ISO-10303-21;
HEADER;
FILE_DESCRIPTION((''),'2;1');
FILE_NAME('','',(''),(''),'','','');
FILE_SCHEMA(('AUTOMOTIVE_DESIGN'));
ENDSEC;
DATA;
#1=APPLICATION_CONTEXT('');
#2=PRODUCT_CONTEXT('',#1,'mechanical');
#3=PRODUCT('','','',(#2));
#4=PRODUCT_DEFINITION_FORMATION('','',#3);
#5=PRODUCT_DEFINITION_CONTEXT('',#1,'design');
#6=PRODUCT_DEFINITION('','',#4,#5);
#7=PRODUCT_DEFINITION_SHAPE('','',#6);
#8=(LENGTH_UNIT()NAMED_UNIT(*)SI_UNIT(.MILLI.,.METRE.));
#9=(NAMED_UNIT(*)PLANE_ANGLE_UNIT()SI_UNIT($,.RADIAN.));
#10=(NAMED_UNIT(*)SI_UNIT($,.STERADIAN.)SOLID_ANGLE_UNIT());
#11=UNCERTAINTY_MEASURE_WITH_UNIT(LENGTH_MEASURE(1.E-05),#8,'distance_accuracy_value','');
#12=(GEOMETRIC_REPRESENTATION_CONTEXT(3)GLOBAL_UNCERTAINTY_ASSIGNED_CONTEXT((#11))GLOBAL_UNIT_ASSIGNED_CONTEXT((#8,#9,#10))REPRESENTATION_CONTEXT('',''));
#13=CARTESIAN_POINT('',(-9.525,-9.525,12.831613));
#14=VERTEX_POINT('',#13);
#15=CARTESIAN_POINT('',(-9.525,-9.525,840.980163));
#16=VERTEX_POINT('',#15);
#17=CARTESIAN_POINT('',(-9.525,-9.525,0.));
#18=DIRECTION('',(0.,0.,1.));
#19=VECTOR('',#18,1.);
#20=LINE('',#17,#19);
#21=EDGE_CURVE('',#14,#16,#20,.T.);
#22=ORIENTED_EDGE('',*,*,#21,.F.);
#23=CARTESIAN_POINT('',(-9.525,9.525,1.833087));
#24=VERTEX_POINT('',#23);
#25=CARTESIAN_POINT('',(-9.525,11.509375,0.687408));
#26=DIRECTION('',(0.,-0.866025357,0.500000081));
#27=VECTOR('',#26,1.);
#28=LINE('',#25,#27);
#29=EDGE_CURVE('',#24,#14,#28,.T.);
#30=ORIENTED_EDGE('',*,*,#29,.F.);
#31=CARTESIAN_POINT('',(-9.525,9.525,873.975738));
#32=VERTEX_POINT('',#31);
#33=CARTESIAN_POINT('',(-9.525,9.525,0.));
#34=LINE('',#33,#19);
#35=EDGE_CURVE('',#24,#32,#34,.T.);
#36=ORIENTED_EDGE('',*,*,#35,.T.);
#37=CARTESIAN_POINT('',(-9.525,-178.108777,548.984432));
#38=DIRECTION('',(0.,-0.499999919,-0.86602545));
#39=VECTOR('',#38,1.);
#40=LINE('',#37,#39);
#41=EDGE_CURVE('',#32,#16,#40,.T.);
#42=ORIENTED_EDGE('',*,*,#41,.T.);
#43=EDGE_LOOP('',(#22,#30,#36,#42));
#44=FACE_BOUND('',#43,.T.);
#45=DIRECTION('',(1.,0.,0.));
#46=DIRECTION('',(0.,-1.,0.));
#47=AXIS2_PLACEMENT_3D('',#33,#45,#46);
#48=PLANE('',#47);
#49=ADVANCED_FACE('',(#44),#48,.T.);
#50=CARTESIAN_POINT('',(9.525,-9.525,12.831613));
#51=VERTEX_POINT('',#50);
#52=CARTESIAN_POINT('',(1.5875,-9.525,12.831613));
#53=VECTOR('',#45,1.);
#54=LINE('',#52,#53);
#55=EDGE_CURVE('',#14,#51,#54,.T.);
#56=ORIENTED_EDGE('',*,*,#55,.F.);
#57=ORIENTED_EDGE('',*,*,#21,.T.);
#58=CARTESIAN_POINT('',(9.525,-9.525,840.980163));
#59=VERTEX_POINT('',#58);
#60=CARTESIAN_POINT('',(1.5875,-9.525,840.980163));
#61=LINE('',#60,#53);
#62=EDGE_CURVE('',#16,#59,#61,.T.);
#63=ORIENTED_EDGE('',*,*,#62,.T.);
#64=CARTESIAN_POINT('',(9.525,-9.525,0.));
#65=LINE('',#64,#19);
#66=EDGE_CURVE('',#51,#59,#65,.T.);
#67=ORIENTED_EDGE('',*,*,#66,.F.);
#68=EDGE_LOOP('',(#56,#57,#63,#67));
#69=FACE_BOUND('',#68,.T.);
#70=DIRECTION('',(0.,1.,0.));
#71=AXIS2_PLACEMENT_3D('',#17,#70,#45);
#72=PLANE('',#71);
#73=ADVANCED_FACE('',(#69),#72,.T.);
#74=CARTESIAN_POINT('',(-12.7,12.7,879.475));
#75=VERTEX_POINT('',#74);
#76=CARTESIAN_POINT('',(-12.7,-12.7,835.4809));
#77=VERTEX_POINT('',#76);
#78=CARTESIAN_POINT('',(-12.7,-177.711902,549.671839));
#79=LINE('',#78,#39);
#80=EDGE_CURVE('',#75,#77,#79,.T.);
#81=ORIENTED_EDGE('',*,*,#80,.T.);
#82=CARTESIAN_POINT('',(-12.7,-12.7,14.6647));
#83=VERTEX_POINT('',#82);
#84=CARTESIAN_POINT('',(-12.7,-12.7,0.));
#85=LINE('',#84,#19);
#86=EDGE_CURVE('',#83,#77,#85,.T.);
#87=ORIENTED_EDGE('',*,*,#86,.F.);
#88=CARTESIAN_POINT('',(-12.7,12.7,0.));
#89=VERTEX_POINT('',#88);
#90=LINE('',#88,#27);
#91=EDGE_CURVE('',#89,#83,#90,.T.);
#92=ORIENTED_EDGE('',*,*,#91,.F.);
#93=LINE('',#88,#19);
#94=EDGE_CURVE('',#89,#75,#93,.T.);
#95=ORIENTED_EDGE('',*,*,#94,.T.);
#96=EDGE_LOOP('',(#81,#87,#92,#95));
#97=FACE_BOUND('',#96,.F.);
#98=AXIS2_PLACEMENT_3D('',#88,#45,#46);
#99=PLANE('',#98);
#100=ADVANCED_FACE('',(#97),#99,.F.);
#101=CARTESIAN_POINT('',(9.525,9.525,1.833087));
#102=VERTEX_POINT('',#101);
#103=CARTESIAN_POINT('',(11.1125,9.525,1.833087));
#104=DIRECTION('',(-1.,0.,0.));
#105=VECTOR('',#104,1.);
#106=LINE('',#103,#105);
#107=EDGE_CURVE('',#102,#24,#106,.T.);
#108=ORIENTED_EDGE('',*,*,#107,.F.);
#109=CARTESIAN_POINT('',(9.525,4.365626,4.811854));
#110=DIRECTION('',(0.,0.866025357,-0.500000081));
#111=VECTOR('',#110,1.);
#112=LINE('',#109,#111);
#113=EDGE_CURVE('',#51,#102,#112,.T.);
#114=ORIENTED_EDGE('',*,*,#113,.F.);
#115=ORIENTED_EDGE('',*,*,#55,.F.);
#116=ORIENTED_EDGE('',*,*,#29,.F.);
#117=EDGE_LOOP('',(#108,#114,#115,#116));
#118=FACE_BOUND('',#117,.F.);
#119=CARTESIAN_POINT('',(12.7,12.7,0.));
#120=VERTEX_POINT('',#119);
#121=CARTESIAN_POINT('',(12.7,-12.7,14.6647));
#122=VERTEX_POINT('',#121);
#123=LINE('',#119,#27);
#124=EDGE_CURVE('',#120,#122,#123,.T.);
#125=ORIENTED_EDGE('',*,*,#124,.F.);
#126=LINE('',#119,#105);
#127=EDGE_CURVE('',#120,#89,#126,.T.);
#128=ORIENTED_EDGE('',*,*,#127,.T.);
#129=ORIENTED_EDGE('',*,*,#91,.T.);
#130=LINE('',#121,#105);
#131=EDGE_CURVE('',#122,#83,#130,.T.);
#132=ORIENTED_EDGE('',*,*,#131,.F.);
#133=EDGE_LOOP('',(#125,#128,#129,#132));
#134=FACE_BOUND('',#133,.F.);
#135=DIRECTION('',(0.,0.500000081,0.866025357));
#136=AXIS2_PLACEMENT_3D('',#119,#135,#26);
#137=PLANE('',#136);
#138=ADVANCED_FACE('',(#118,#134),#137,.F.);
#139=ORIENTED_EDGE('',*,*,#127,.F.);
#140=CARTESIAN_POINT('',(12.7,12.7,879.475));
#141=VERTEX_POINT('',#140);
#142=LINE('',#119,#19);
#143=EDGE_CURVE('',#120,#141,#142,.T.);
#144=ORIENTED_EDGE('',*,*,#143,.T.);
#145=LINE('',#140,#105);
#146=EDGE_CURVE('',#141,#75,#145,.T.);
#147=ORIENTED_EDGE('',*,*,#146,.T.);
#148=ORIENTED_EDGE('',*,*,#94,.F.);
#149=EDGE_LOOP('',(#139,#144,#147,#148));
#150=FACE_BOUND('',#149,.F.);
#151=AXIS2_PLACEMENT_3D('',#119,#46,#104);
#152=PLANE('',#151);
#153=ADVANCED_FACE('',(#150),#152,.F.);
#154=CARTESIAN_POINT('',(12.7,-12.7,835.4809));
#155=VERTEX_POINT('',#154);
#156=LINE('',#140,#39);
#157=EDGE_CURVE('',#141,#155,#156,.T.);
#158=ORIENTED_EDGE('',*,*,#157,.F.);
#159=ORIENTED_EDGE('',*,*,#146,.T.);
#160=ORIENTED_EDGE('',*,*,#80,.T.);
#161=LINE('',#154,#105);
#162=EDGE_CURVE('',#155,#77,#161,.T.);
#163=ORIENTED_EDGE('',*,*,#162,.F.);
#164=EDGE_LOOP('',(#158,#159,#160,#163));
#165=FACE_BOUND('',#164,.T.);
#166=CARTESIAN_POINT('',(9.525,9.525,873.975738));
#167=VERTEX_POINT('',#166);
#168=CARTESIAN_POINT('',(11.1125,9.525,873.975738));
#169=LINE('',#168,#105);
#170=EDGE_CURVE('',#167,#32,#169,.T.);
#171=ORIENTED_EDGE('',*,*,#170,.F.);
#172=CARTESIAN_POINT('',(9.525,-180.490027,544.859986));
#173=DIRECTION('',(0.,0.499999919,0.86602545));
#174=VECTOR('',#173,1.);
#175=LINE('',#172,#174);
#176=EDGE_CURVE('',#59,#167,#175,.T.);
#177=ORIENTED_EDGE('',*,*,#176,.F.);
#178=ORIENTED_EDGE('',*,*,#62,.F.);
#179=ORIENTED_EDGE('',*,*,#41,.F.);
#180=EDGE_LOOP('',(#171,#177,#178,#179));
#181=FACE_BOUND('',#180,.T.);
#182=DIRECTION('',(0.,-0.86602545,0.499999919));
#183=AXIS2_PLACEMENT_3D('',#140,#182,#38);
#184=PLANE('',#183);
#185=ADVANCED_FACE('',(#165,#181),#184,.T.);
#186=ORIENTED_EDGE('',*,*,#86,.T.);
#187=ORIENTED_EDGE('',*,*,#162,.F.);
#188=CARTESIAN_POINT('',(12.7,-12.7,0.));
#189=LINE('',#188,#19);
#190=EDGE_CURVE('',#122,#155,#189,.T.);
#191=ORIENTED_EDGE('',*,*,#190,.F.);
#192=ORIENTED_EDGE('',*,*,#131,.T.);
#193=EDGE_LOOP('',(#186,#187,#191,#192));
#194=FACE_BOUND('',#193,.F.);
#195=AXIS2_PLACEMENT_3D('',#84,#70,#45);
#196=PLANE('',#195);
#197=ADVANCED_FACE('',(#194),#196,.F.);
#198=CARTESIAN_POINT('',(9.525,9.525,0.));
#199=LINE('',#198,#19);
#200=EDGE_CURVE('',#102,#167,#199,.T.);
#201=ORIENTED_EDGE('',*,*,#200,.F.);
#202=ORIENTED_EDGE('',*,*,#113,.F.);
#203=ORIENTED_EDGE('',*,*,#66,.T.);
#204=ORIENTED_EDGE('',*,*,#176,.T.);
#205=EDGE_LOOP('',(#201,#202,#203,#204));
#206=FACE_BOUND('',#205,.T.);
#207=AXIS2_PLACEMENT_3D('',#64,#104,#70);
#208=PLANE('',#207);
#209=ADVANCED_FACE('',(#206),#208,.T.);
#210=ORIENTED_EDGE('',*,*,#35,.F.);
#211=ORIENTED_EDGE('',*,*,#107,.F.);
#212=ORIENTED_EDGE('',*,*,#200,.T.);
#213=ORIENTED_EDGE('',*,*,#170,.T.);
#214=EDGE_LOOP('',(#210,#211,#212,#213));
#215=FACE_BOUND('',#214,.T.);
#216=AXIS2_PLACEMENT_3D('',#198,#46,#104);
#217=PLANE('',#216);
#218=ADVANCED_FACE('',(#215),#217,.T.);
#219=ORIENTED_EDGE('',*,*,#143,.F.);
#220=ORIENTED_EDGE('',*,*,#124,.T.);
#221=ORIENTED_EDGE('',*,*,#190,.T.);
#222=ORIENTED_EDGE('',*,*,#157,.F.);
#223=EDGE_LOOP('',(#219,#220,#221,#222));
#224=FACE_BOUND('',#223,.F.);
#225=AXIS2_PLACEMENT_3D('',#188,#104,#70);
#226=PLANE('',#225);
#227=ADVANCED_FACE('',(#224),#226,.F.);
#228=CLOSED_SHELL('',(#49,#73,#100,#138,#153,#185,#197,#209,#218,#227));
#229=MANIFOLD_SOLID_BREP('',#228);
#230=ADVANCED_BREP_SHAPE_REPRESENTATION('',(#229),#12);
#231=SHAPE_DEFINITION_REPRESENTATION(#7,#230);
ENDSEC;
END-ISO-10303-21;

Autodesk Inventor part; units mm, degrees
ref_plane "YZ Plane" through (0, 0, 0) normal (1, 0, 0) x (0, 1, 0)
ref_plane "XZ Plane" through (0, 0, 0) normal (0, 1, 0) x (-1, 0, 0)
ref_plane "XY Plane" through (0, 0, 0) normal (0, 0, 1) x (1, 0, 0)
sketch "Sketch1" plane through (0, 0, 0) normal (0, 0, 1) x (1, 0, 0)
  line L0 (-12.7, -12.7) -> (12.7, -12.7)
  line L1 (12.7, -12.7) -> (12.7, 12.7)
  line L2 (12.7, 12.7) -> (-12.7, 12.7)
  line L3 (-12.7, 12.7) -> (-12.7, -12.7)
  line L4 (-12.7, -12.7) -> (12.7, 12.7) construction
  line L5 (12.7, -12.7) -> (-12.7, 12.7) construction
  line L6 (-9.525, -9.525) -> (9.525, -9.525)
  line L7 (9.525, -9.525) -> (9.525, 9.525)
  line L8 (9.525, 9.525) -> (-9.525, 9.525)
  line L9 (-9.525, 9.525) -> (-9.525, -9.525)
  line L10 (-9.525, -9.525) -> (9.525, 9.525) construction
  line L11 (9.525, -9.525) -> (-9.525, 9.525) construction
  point P0 (0, 0)
  dimension "d0" = 25.4
  dimension "d1" = 25.4
  dimension "d2" = 3.175
extrude "Extrusion1" add sketch "Sketch1" along normal blind 879.475
sketch "Sketch2" plane through (12.7, -12.7, 0) normal (1, 0, 0) x (0, 0, -1)
  line L0 (0, 0) -> (0, 25.4) projected
  line L1 (0, 25.4) -> (-14.6647, 0)
  line L2 (0, 0) -> (-879.475, 0) projected
  line L3 (0, 0) -> (0, 25.4)
  line L4 (-14.6647, 0) -> (0, 0)
  point P0 (0, 12.7)
  dimension "d10" = 60
extrude "Extrusion2" cut sketch "Sketch2" against normal through all
sketch "Sketch3" plane through (12.7, -12.7, 879.475) normal (1, 0, 0) x (0, 0, -1)
  line L0 (879.475, 25.4) -> (0, 25.4) projected
  line L1 (0, 25.4) -> (43.9941, 0)
  line L2 (864.8103, 0) -> (0, 0) projected
  line L3 (0, 0) -> (0, 25.4)
  line L4 (0, 3.175) -> (0, 22.225) projected
  line L5 (43.9941, 0) -> (0, 0)
  point P0 (879.475, 12.7)
  dimension "d7" = 30
extrude "Extrusion3" cut sketch "Sketch3" against normal through all
properties part number "hypotAluminumExtrusion"
